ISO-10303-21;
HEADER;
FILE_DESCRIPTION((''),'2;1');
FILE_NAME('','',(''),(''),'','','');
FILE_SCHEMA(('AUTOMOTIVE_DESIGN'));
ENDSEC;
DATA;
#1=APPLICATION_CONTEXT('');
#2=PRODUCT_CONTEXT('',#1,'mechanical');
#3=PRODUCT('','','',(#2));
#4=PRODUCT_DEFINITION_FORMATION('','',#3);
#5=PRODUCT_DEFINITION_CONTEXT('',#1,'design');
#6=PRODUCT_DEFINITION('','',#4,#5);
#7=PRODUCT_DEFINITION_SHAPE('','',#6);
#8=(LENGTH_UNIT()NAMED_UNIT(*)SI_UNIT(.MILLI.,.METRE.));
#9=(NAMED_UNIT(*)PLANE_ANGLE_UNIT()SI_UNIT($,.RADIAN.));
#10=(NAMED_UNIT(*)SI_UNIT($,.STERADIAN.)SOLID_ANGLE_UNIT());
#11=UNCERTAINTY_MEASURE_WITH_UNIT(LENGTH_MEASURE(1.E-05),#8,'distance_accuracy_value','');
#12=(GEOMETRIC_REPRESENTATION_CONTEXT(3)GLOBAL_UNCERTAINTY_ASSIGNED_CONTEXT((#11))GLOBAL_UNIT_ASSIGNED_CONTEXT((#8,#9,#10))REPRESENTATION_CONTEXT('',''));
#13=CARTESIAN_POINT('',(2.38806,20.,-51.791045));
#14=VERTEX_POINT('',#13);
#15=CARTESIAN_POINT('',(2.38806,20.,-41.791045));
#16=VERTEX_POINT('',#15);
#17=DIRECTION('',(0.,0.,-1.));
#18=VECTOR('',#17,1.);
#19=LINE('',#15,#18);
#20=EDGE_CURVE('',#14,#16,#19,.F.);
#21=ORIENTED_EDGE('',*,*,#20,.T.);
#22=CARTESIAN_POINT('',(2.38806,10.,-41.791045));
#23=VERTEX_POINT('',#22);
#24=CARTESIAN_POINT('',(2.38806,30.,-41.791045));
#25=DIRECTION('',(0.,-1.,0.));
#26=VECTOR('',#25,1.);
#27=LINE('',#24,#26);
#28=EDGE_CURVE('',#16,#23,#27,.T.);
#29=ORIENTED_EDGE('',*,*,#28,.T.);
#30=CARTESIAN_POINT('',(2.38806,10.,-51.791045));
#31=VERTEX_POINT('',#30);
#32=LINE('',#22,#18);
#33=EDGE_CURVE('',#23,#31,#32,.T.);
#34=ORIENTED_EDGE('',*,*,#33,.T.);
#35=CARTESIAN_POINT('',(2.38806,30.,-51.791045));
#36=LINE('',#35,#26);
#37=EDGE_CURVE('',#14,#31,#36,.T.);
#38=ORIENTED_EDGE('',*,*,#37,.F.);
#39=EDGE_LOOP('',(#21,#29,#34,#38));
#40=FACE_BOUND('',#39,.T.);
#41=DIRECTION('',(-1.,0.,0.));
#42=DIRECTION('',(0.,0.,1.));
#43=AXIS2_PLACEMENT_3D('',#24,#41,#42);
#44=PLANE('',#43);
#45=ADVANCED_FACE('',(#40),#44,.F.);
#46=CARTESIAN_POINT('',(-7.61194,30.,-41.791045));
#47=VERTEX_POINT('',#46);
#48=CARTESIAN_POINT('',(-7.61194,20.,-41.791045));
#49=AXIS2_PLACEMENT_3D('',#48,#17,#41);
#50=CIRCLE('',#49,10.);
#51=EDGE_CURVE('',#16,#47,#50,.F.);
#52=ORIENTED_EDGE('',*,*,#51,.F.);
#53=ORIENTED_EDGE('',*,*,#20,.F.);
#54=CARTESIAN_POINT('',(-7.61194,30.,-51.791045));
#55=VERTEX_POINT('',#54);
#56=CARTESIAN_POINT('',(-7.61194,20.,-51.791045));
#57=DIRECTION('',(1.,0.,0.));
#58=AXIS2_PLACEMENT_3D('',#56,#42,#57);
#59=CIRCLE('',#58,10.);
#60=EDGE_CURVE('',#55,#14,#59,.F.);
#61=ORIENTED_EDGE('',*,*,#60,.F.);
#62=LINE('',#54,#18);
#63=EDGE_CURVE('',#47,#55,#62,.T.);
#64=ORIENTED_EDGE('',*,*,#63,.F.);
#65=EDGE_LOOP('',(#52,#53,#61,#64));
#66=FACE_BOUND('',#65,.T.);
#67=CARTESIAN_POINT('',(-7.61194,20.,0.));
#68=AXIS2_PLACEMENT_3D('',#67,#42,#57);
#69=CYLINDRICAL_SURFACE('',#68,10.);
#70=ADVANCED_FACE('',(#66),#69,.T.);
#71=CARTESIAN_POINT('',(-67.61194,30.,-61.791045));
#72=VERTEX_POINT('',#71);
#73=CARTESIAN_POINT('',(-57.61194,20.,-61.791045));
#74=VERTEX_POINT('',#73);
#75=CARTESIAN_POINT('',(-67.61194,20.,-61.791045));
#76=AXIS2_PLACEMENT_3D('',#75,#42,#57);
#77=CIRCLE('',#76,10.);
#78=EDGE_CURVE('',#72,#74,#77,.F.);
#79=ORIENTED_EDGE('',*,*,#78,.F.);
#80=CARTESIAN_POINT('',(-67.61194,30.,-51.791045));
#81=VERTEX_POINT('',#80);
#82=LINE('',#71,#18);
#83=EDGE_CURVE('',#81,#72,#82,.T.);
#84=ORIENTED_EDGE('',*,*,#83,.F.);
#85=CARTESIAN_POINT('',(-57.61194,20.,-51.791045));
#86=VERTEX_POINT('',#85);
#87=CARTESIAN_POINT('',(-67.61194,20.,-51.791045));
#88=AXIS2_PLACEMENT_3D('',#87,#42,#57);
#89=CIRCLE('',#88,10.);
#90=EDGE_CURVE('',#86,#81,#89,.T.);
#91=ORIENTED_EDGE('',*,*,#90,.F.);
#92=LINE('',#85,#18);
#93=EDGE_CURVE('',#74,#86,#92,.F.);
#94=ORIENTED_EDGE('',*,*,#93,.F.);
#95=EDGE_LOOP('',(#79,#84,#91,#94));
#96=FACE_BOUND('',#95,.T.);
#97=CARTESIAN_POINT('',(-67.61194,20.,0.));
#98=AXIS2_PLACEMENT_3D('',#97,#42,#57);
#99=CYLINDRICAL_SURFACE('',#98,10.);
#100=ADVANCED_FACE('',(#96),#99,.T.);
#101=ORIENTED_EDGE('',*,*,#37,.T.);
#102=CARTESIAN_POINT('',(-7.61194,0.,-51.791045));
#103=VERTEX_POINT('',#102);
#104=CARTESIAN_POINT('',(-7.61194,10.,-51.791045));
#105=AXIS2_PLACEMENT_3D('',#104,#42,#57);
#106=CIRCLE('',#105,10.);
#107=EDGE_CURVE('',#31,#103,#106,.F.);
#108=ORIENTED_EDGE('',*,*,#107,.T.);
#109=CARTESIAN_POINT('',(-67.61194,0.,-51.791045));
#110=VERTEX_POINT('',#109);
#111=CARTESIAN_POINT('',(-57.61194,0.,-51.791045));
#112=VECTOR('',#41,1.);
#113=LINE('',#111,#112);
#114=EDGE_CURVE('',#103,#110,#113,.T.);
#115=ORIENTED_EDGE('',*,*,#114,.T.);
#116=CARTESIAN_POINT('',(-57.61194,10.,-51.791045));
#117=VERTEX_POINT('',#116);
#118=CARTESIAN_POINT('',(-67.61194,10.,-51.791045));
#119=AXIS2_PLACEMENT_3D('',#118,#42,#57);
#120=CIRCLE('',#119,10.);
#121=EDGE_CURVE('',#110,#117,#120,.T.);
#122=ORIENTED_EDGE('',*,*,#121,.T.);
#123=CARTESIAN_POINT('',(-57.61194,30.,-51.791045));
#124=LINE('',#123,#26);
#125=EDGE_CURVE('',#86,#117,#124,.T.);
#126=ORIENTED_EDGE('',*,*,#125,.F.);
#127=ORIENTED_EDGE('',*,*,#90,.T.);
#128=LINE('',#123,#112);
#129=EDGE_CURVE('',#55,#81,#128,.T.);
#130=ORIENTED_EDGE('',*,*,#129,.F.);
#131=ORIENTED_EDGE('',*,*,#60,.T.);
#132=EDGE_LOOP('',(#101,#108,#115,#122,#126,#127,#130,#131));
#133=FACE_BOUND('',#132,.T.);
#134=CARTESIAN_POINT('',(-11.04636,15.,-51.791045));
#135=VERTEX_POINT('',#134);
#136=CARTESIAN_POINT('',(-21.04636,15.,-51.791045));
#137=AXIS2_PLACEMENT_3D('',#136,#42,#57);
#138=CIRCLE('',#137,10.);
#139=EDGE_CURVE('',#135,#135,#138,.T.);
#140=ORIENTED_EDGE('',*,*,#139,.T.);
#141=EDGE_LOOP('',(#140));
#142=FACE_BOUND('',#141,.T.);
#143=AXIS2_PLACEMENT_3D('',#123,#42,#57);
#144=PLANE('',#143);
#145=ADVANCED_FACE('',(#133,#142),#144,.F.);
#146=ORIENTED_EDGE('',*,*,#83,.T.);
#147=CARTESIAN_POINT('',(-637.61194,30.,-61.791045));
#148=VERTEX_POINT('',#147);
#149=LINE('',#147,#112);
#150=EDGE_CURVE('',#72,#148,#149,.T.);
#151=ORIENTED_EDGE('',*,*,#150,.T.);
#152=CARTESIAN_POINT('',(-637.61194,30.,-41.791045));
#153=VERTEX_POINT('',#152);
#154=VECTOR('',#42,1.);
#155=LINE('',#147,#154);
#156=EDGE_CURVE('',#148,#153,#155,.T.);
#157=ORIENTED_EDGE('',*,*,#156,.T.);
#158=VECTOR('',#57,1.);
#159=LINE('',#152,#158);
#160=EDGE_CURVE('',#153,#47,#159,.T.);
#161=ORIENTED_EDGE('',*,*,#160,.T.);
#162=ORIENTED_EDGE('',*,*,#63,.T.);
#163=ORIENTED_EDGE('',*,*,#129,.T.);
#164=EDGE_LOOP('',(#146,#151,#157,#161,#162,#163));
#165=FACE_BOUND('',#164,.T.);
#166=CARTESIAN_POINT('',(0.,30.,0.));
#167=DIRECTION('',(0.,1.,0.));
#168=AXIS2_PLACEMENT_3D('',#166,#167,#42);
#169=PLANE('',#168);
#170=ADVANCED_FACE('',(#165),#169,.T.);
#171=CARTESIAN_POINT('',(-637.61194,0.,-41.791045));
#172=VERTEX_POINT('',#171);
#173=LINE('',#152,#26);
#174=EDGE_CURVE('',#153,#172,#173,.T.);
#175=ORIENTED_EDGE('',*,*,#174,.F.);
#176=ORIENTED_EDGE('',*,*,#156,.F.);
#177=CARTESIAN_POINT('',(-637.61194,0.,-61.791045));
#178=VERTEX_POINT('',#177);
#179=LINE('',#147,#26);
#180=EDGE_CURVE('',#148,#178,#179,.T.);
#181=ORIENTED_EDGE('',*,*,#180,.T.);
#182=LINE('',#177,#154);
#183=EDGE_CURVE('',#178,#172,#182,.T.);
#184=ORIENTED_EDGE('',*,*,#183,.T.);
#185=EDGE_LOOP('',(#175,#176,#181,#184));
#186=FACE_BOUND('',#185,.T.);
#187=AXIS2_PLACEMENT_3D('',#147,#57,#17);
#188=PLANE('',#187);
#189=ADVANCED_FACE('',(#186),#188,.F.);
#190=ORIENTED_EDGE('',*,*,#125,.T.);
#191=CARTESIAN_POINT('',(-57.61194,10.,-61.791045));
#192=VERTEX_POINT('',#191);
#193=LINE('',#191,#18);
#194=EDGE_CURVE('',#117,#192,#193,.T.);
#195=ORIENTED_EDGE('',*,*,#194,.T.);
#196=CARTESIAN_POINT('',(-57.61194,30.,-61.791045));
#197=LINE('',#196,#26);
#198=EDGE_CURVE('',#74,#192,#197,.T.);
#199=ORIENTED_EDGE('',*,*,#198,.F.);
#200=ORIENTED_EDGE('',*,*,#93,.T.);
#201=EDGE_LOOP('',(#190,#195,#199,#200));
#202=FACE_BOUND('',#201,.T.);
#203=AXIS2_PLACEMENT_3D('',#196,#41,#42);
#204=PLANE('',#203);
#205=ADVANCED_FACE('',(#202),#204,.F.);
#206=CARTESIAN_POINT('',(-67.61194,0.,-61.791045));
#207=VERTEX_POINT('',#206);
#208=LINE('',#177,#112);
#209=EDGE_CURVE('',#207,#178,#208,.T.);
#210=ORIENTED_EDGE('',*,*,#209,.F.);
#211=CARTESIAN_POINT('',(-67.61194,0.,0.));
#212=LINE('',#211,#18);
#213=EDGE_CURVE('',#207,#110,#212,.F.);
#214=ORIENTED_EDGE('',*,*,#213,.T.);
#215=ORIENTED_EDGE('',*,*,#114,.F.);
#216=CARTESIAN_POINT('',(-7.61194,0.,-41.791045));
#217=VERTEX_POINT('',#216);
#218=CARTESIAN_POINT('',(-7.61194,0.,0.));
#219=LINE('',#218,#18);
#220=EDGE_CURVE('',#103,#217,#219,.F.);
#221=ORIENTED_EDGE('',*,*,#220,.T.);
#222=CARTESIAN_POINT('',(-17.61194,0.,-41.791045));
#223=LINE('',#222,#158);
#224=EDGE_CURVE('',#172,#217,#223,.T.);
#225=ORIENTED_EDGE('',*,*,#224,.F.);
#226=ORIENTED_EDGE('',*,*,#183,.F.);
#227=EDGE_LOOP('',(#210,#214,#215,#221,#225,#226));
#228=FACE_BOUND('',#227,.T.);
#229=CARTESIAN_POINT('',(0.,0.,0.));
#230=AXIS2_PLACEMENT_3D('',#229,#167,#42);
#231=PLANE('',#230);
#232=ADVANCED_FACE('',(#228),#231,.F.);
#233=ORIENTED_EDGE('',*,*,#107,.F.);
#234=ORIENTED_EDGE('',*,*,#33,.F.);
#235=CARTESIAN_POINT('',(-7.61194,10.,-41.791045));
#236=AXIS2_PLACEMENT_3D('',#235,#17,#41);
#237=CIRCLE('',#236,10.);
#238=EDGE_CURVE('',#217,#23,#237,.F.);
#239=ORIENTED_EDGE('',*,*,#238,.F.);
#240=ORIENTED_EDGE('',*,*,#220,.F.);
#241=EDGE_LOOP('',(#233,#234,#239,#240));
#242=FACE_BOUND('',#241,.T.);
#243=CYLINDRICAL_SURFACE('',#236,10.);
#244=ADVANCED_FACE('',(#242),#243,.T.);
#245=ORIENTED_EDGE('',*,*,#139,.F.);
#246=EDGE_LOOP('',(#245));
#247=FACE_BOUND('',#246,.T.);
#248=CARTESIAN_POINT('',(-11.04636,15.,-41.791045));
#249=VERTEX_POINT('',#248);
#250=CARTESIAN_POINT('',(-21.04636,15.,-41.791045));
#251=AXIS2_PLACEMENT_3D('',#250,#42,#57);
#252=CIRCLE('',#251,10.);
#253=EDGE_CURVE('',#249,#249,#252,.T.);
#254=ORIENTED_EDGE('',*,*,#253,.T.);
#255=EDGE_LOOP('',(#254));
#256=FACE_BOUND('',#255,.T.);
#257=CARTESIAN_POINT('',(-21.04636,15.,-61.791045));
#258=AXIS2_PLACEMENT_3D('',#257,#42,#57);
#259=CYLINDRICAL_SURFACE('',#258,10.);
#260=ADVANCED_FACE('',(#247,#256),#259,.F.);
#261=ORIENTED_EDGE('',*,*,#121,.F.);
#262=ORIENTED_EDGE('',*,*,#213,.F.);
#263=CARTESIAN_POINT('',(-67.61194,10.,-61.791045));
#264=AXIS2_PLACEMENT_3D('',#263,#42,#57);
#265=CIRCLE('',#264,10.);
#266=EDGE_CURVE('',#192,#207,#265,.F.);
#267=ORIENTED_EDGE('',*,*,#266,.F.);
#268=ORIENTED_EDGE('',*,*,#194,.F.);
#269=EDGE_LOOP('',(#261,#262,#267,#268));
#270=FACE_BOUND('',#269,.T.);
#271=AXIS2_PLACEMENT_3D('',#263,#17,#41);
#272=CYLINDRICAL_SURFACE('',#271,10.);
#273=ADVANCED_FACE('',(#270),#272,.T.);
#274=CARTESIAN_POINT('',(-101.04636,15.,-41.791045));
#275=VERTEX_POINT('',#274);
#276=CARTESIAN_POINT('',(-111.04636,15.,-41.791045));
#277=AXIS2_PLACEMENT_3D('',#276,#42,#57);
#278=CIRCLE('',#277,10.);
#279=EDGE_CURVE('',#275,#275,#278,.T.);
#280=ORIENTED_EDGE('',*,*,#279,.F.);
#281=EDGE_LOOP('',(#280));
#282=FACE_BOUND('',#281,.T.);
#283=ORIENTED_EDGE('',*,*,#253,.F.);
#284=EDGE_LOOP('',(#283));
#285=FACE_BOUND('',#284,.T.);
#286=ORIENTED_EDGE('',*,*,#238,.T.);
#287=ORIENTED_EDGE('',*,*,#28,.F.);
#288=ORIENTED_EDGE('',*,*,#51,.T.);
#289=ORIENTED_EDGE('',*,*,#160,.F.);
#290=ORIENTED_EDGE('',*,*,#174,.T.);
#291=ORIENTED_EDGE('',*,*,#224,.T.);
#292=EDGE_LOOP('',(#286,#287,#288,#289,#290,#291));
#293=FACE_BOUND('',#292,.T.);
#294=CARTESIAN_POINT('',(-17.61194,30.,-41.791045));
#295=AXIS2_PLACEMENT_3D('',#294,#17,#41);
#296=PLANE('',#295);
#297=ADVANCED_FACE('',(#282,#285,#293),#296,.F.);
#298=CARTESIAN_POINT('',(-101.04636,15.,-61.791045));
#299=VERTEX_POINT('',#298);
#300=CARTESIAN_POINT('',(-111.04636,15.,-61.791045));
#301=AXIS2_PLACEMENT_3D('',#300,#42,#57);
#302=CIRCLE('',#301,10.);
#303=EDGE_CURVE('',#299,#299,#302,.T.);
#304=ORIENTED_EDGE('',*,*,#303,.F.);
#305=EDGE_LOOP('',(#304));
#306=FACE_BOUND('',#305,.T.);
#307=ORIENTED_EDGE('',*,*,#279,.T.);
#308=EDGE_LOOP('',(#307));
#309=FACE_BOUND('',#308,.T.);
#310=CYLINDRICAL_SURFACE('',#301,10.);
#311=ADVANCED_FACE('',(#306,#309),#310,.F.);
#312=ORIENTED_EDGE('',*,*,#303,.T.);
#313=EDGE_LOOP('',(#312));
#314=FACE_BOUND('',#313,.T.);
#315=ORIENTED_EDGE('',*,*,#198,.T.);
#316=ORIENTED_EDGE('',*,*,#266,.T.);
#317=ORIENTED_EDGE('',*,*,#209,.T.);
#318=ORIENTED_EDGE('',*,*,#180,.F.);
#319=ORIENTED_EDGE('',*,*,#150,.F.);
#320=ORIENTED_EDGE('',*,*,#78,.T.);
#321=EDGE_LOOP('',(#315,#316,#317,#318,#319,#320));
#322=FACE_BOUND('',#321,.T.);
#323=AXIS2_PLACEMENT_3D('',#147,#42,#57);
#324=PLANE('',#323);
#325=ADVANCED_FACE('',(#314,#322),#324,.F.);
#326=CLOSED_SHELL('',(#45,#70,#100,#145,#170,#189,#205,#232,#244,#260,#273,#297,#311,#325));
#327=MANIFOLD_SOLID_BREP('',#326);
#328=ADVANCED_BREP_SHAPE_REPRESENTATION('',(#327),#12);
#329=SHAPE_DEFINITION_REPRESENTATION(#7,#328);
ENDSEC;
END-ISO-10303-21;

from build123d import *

# Parameters (mm, degrees)
BOSS_EXTRUDE1_DEPTH = 30
FILLET1_R           = 10
SKETCH2_R           = 10
CUT_EXTRUDE1_DEPTH  = 639.630555495


with BuildPart() as part:
    # Sketch1 → Boss-Extrude1 (new body)
    with BuildSketch(Plane(origin=(0, 0, 0), x_dir=(1, 0, 0), z_dir=(0, 1, 0))):
        Polygon((-637.611940299, 61.791044776), (-57.611940299, 61.791044776), (-57.611940299, 51.791044776), (2.388059701, 51.791044776), (2.388059701, 41.791044776), (-17.611940299, 41.791044776), (-637.611940299, 41.791044776), align=None)
    extrude(amount=BOSS_EXTRUDE1_DEPTH)

    # Fillet1
    fillet1_edges = [part.edges().sort_by_distance(p)[0] for p in [
        (2.388059701, 30, -46.791044776),
        (-57.611940299, 30, -56.791044776),
        (-57.611940299, 0, -56.791044776),
        (2.388059701, 0, -46.791044776),
    ]]
    fillet(fillet1_edges, radius=FILLET1_R)

    # Sketch2 → Cut-Extrude1 (cut, through all)
    with BuildSketch(Plane.XY.offset(-41.791044776)):
        with Locations((-21.046360359, 15)):
            Circle(SKETCH2_R)
        with Locations((-111.046360359, 15)):
            Circle(SKETCH2_R)
    extrude(amount=-CUT_EXTRUDE1_DEPTH, mode=Mode.SUBTRACT)


solid = part.part
